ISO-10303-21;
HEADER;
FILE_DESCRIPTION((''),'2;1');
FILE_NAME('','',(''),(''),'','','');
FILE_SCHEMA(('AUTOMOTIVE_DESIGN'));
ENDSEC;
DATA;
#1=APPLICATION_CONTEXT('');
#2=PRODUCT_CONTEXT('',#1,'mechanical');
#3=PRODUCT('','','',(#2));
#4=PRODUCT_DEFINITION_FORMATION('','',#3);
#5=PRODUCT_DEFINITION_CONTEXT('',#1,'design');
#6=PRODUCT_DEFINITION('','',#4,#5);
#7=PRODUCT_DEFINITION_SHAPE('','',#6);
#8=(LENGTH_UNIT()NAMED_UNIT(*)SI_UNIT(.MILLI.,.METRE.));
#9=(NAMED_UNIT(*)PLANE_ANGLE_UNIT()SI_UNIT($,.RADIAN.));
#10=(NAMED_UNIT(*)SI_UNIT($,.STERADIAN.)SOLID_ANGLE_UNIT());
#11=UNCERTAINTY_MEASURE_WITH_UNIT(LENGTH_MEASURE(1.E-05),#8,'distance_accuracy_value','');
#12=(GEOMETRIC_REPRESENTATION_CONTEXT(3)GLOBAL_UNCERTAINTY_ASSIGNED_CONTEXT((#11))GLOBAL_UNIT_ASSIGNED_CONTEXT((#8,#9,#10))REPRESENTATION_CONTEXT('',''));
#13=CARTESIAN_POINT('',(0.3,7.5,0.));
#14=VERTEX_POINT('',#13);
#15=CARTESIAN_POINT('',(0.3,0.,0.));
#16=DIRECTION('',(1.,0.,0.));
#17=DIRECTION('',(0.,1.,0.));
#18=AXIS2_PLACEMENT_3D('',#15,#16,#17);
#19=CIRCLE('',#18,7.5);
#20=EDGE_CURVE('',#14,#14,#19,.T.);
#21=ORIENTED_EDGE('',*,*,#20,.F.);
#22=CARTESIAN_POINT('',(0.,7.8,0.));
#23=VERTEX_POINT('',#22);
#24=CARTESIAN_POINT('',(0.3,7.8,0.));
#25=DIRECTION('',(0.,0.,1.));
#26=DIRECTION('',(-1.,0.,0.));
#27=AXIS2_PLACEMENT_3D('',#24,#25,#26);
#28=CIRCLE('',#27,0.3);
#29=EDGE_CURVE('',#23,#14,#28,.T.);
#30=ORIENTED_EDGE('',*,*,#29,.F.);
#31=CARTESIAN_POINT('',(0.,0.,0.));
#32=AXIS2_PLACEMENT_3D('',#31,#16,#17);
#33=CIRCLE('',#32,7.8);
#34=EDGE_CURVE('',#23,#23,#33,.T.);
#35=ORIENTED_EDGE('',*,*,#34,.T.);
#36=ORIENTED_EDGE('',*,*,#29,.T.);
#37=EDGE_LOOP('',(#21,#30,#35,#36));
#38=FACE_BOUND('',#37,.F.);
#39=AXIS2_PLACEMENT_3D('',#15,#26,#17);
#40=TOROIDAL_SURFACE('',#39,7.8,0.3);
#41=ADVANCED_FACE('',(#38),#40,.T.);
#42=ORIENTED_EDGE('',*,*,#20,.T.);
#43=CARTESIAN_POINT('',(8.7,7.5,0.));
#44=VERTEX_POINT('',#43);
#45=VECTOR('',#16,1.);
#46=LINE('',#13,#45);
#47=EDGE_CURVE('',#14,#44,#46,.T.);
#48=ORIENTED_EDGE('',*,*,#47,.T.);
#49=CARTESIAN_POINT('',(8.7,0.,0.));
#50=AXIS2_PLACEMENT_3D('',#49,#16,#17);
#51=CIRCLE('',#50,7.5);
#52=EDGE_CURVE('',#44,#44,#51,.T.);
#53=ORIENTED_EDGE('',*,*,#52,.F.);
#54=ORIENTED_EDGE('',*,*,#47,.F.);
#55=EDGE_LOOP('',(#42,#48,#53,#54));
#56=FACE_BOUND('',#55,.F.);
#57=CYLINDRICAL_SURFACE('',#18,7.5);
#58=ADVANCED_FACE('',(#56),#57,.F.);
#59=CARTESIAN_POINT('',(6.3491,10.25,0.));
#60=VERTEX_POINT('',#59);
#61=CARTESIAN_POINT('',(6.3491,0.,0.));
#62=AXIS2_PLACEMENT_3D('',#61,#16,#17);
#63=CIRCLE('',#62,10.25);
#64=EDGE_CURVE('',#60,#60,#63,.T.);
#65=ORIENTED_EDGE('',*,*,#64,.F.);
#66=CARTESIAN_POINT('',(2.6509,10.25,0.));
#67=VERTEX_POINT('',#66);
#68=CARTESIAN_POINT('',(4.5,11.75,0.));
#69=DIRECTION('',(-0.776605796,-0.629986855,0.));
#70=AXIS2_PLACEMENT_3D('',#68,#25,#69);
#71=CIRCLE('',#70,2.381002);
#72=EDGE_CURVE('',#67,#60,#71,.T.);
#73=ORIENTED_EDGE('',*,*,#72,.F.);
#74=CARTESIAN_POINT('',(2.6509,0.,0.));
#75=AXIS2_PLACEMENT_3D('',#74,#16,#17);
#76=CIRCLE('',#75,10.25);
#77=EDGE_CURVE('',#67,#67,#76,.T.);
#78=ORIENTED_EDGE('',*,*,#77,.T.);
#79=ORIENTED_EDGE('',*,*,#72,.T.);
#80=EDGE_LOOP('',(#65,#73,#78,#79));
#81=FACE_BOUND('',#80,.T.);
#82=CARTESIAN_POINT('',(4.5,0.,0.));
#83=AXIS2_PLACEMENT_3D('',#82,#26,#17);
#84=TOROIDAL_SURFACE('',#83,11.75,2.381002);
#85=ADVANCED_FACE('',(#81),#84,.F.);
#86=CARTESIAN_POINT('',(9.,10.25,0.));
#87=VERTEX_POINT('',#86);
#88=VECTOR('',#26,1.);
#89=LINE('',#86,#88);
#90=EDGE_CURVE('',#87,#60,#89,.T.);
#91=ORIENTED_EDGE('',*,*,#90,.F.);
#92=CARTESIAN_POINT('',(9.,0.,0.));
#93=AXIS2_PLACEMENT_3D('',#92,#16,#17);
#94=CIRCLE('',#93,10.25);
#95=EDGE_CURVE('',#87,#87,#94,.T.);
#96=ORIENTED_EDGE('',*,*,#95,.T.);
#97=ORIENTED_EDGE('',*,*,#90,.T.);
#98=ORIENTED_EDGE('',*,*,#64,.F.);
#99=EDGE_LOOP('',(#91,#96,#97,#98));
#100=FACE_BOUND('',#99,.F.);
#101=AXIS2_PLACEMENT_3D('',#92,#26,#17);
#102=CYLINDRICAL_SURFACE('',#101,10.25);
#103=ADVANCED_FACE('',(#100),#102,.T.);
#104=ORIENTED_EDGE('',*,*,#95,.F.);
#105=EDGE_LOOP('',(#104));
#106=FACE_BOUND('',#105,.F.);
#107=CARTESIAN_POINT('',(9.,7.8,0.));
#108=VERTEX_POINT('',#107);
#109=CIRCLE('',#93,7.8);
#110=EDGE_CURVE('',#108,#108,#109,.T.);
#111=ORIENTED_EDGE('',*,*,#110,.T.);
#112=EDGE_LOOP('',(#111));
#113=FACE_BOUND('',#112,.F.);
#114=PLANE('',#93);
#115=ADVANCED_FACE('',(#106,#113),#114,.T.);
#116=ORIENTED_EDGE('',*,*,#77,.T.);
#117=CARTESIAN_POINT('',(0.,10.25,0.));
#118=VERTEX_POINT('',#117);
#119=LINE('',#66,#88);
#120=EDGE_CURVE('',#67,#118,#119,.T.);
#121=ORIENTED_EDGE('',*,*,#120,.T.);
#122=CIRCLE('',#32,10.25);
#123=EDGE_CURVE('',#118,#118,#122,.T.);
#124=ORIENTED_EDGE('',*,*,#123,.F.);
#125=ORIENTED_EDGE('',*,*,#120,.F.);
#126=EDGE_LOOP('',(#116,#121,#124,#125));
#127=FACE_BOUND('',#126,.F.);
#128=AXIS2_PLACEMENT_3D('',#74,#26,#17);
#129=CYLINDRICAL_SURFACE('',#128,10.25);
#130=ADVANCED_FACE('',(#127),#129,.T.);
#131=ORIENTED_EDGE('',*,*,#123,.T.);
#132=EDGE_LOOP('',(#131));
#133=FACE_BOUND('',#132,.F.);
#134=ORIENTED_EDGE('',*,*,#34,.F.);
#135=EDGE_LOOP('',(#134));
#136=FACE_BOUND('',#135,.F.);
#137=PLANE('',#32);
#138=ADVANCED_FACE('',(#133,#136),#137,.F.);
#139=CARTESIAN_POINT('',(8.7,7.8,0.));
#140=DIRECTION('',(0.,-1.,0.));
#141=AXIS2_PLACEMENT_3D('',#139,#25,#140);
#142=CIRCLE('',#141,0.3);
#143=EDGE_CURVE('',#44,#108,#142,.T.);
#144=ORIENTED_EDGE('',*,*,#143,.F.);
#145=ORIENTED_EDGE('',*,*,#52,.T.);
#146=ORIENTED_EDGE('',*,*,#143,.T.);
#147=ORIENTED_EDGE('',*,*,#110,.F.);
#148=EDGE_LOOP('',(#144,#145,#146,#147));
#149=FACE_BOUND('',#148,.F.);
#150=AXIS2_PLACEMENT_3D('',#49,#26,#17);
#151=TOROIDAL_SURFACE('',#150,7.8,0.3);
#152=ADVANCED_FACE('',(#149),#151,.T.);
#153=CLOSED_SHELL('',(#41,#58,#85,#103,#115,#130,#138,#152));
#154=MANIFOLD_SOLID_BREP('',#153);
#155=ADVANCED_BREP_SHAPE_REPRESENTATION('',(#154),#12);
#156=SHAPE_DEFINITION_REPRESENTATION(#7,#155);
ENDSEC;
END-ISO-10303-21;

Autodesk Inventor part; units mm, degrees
ref_plane "YZ Plane" through (0, 0, 0) normal (1, 0, 0) x (0, 1, 0)
ref_plane "XZ Plane" through (0, 0, 0) normal (0, 1, 0) x (-1, 0, 0)
ref_plane "XY Plane" through (0, 0, 0) normal (0, 0, 1) x (1, 0, 0)
sketch "Sketch_1" plane through (0, 0, 0) normal (0, 0, 1) x (1, 0, 0)
  line L0 (50, 0) -> (-50, 0)
  arc A0 (0, 7.8) -> (0.3, 7.5) centre (0.3, 7.8) ccw
  line L1 (0.3, 7.5) -> (8.7, 7.5)
  arc A1 (8.7, 7.5) -> (9, 7.8) centre (8.7, 7.8) ccw
  line L2 (9, 7.8) -> (9, 10.25)
  line L3 (9, 10.25) -> (6.3491, 10.25)
  arc A2 (2.6509, 10.25) -> (6.3491, 10.25) centre (4.5, 11.75) ccw
  line L4 (2.6509, 10.25) -> (0, 10.25)
  line L5 (0, 10.25) -> (0, 7.8)
revolve "Revolution1" add sketch "Sketch_1" angle 360 about axis through (50, 0, 0) along (1, 0, 0)
properties part number "6002_PART1"
